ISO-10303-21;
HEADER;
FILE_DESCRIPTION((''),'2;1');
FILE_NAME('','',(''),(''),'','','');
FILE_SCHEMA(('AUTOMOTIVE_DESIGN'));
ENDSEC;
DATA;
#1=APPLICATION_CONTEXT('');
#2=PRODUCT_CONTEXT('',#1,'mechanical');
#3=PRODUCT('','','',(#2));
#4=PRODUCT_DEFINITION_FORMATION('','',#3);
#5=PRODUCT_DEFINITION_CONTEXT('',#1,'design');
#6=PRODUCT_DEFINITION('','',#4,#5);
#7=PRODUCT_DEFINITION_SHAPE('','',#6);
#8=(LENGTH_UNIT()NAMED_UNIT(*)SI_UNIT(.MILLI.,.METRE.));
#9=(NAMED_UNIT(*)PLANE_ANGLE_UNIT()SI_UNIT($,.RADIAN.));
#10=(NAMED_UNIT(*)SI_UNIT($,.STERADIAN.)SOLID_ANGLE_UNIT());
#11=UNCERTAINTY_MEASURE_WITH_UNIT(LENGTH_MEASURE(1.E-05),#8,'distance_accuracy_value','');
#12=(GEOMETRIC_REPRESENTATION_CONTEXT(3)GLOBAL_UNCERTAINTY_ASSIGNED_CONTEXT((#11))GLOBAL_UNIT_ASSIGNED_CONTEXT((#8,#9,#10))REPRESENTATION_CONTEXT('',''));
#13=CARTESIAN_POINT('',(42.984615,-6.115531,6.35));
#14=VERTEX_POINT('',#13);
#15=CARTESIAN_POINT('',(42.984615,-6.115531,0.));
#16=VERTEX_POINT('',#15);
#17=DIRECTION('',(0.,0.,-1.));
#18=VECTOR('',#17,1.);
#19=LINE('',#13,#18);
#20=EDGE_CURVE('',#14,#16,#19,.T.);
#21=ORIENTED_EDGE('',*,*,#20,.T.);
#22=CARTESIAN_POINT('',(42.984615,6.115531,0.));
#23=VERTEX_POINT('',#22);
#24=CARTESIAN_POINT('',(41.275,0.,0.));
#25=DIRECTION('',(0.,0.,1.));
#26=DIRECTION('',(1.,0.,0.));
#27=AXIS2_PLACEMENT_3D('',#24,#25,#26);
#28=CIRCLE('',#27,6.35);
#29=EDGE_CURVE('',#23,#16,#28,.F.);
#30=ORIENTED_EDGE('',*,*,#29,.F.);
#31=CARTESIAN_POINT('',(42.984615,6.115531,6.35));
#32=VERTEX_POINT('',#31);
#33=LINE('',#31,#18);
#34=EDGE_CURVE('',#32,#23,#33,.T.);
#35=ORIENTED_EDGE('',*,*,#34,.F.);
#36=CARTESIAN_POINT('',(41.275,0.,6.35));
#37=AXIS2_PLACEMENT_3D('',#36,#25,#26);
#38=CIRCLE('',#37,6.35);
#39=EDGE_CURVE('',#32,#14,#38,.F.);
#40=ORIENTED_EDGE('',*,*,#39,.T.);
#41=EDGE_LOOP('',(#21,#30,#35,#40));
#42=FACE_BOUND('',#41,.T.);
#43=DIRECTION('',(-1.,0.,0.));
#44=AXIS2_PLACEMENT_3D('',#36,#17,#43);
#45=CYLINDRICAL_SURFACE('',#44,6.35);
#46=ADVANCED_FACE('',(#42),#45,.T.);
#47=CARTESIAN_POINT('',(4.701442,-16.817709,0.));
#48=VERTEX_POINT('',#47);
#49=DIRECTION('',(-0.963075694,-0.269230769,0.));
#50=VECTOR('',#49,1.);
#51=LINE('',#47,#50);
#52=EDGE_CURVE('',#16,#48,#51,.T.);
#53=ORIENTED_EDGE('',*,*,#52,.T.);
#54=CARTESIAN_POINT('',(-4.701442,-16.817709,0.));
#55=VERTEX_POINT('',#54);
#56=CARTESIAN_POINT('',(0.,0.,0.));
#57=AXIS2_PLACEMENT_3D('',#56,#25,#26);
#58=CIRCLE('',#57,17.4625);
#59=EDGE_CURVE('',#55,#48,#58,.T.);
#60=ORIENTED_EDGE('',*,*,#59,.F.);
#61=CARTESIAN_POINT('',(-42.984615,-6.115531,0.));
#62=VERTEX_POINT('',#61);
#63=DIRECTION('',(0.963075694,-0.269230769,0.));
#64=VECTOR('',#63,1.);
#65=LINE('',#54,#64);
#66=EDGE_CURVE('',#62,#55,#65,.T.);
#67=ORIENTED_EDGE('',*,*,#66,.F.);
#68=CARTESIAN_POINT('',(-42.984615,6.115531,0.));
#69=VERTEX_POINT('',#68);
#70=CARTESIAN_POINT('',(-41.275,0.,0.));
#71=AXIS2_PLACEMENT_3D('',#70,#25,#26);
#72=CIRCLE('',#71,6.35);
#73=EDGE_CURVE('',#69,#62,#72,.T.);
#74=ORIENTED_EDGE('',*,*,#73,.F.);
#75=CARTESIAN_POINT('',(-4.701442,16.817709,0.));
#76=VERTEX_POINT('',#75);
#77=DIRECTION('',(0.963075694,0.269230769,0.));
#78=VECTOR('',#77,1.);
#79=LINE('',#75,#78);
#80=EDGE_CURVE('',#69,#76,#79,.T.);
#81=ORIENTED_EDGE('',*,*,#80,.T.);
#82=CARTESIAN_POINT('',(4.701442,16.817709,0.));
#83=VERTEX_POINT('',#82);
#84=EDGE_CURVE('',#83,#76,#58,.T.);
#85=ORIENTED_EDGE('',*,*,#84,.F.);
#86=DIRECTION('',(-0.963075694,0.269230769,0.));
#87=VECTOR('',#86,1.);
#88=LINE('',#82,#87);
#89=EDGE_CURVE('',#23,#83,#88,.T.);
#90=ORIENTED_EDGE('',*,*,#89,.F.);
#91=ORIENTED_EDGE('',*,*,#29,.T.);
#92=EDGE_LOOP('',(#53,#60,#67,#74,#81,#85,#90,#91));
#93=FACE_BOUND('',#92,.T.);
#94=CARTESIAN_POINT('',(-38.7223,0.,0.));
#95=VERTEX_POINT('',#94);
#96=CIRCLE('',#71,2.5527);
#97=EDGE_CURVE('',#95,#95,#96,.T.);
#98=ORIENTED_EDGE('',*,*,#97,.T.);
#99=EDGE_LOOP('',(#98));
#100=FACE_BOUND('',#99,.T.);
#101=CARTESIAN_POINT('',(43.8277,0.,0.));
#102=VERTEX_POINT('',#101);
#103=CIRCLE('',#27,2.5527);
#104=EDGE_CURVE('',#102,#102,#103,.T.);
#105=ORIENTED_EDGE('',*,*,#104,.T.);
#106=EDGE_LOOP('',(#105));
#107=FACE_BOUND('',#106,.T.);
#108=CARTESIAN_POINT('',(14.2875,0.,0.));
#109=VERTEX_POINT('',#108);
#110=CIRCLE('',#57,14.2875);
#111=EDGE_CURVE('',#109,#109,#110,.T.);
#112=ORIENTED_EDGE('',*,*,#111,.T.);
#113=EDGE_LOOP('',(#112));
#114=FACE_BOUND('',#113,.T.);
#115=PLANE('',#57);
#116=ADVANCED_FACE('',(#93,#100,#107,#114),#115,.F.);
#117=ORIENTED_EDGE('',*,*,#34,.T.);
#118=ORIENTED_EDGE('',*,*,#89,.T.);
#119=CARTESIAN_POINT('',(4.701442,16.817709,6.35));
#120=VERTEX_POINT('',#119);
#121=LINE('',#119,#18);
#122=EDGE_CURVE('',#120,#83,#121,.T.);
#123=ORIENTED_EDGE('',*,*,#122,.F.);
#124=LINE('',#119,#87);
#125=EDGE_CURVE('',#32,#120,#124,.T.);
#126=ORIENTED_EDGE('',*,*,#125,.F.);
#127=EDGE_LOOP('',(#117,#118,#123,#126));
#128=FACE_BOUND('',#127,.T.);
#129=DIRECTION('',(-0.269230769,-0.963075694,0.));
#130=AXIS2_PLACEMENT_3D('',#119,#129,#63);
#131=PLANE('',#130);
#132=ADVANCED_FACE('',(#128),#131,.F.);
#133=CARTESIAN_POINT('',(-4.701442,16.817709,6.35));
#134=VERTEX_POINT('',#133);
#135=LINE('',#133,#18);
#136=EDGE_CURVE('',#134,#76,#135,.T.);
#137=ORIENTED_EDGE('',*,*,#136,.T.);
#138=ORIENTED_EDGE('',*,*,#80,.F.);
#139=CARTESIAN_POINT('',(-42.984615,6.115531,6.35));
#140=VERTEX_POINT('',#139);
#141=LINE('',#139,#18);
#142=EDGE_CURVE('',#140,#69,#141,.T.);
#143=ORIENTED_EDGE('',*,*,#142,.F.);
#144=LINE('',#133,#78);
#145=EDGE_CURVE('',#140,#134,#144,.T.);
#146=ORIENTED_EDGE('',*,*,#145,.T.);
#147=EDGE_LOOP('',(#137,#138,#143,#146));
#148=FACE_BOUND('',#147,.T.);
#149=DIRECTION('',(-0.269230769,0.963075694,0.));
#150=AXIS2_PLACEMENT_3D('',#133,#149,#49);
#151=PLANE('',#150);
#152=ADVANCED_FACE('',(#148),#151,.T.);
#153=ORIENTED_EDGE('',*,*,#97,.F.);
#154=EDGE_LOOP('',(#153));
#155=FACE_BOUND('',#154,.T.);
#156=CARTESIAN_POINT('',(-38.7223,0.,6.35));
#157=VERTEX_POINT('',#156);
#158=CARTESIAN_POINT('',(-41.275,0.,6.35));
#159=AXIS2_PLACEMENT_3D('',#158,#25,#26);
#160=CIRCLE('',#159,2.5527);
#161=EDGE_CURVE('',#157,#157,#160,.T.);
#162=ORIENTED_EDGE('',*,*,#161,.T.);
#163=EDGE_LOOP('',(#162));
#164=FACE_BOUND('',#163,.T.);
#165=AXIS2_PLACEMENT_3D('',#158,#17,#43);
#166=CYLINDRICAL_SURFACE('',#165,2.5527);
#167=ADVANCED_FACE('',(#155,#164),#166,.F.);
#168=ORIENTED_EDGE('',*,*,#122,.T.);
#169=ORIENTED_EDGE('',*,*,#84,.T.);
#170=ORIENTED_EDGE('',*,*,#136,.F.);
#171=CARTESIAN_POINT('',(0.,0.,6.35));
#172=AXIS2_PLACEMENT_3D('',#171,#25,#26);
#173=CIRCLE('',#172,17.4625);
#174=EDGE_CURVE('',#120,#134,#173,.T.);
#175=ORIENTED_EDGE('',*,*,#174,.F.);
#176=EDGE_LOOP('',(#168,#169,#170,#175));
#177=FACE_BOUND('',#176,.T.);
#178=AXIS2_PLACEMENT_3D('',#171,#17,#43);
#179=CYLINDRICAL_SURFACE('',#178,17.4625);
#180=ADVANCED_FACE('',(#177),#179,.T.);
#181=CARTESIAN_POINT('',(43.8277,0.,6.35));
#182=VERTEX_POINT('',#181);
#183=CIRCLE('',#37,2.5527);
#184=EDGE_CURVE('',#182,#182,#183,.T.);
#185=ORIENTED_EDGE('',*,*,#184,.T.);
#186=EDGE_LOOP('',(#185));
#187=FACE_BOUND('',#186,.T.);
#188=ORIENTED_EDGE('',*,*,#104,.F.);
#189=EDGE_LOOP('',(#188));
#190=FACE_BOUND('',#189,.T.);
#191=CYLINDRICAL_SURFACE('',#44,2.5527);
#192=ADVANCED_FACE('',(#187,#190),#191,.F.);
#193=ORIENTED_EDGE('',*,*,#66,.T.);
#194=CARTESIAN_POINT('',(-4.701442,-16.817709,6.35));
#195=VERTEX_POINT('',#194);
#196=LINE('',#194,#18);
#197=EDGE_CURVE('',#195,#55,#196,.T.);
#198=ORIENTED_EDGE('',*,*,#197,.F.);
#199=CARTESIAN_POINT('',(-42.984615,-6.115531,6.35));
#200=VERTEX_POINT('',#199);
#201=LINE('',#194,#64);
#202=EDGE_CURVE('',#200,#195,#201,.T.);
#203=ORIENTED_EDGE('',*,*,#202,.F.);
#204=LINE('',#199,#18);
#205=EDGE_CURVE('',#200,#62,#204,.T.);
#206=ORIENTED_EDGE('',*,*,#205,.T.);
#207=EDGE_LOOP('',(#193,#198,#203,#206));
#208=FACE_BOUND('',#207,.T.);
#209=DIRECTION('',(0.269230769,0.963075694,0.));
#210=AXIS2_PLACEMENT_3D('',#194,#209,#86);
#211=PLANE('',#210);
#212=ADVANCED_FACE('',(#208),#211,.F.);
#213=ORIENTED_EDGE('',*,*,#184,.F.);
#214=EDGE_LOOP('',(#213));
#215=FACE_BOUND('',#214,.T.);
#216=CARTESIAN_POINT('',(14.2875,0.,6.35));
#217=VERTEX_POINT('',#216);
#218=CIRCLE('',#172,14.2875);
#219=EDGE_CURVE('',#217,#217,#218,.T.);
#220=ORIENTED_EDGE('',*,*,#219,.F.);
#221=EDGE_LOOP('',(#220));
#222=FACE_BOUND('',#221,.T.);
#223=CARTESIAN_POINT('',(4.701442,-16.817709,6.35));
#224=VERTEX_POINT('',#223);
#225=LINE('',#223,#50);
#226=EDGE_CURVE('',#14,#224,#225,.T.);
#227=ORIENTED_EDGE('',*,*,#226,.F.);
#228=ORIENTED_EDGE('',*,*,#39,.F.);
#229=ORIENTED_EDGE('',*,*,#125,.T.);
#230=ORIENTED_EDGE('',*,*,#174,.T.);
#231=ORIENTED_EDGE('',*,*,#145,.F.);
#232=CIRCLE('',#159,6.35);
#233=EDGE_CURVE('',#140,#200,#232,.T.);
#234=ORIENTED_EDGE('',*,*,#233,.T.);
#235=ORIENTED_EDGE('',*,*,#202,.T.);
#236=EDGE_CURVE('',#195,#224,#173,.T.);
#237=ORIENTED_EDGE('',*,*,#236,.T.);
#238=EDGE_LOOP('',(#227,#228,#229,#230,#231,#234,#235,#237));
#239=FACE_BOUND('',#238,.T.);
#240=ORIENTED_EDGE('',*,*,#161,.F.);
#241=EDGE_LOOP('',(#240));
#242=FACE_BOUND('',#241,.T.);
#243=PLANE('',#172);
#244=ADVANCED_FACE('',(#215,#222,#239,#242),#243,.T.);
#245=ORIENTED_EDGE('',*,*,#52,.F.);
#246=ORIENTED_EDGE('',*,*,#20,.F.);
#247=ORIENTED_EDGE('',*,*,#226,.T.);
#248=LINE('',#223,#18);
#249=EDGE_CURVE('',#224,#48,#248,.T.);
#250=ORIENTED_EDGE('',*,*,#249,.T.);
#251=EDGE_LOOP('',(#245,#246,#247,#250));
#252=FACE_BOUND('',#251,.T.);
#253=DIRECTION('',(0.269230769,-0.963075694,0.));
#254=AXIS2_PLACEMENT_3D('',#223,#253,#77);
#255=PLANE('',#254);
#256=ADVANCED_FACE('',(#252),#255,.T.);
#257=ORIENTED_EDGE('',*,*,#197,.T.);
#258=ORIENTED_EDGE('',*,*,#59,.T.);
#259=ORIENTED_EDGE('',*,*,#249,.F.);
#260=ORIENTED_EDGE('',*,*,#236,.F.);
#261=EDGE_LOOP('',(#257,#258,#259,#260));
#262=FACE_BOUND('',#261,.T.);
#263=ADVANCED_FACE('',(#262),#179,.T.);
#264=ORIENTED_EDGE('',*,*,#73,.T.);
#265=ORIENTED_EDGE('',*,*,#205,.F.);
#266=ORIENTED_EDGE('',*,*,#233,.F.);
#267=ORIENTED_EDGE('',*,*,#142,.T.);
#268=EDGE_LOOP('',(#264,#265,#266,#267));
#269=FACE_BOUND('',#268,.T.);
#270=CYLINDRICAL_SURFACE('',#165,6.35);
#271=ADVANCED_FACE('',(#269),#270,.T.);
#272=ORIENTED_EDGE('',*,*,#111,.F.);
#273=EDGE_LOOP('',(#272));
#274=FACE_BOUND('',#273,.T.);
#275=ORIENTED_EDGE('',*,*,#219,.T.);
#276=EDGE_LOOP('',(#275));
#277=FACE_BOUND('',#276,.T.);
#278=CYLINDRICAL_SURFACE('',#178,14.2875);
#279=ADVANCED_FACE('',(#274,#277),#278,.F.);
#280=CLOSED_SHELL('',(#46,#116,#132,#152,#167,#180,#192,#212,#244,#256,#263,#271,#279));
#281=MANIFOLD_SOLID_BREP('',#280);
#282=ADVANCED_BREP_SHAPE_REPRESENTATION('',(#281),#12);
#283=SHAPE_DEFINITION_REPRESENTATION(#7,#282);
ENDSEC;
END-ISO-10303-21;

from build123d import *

# Parameters (mm, degrees)
SKETCH1_R           = 2.5527
SKETCH1_R_2         = 14.2875
BOSS_EXTRUDE1_DEPTH = 6.35


with BuildPart() as part:
    # Sketch1 → Boss-Extrude1 (new body)
    with BuildSketch(Plane.XY):
        with BuildLine():
            Line((42.984615385, 6.115530659), (4.701442308, 16.817709311))
            ThreePointArc((4.701442308, 16.817709311), (0, 17.4625), (-4.701442308, 16.817709311))
            Line((-4.701442308, 16.817709311), (-42.984615385, 6.115530659))
            ThreePointArc((-42.984615385, 6.115530659), (-47.625, 0), (-42.984615385, -6.115530659))
            Line((-42.984615385, -6.115530659), (-4.701442308, -16.817709311))
            ThreePointArc((-4.701442308, -16.817709311), (0, -17.4625), (4.701442308, -16.817709311))
            Line((4.701442308, -16.817709311), (42.984615385, -6.115530659))
            ThreePointArc((42.984615385, -6.115530659), (47.625, 0), (42.984615385, 6.115530659))
        make_face()
        with Locations((-41.275, 0)):
            Circle(SKETCH1_R, mode=Mode.SUBTRACT)
        with Locations((41.275, 0)):
            Circle(SKETCH1_R, mode=Mode.SUBTRACT)
        Circle(SKETCH1_R_2, mode=Mode.SUBTRACT)
    extrude(amount=BOSS_EXTRUDE1_DEPTH)


solid = part.part
